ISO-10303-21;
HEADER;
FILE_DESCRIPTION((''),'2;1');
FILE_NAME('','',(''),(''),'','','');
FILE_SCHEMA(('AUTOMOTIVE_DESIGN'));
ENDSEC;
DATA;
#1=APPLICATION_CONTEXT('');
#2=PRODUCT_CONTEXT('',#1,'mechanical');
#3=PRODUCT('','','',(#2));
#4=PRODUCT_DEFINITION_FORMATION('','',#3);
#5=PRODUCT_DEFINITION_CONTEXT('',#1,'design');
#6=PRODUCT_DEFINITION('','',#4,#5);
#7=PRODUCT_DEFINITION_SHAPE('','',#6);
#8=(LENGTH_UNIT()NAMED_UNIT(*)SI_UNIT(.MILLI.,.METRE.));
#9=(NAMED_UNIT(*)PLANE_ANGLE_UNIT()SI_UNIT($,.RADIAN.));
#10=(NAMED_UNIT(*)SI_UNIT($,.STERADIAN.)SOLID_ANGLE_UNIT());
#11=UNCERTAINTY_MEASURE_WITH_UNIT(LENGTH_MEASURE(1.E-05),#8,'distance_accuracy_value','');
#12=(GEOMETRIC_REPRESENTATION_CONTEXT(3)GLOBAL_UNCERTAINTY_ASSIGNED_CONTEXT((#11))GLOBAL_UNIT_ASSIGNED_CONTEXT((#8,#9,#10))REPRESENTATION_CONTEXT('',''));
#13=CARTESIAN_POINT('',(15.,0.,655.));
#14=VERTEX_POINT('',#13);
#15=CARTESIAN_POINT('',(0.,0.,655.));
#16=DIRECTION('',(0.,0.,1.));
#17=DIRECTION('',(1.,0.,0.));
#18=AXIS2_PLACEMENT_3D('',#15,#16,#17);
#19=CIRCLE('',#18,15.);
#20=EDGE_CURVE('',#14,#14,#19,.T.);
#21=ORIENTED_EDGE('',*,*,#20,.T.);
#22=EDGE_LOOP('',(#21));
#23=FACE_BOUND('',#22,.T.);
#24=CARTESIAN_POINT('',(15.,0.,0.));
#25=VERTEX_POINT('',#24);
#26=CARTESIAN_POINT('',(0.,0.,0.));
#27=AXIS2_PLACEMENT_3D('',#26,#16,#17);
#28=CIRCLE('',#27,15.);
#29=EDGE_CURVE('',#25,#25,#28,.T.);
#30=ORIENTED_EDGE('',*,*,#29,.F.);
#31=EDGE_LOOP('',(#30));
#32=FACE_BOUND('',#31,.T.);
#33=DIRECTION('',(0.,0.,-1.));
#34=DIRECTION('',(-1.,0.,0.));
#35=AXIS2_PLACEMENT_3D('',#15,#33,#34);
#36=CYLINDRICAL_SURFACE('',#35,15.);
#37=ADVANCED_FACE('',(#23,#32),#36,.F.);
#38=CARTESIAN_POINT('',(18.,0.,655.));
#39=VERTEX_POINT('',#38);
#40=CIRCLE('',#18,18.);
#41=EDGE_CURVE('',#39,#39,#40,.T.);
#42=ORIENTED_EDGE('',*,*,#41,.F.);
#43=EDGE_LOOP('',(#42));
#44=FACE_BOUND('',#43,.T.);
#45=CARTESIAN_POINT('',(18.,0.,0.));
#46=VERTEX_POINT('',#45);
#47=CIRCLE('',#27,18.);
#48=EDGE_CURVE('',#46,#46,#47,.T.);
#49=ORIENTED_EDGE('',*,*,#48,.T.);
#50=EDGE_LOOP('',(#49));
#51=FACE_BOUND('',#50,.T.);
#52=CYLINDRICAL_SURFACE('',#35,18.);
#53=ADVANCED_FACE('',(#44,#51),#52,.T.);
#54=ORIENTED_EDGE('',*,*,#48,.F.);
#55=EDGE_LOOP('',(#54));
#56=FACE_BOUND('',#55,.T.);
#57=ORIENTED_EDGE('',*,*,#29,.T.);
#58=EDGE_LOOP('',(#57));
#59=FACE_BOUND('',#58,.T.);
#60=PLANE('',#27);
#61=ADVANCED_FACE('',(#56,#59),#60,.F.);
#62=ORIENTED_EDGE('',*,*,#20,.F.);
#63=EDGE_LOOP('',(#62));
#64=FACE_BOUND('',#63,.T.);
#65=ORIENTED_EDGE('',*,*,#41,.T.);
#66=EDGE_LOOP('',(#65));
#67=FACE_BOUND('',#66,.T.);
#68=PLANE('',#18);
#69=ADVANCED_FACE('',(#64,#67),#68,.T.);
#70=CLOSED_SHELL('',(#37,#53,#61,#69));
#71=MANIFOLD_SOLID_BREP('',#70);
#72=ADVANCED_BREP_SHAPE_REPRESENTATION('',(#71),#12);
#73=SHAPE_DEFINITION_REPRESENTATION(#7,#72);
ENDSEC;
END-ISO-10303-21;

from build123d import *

# Parameters (mm, degrees)
ESQUISSE1_R        = 18
ESQUISSE1_R_2      = 15
EXTRU_MINCE1_DEPTH = 655


with BuildPart() as part:
    # Esquisse1 → Extru.-Mince1 (new body)
    with BuildSketch(Plane.XY):
        Circle(ESQUISSE1_R)
        Circle(ESQUISSE1_R_2, mode=Mode.SUBTRACT)
    extrude(amount=EXTRU_MINCE1_DEPTH)


solid = part.part
